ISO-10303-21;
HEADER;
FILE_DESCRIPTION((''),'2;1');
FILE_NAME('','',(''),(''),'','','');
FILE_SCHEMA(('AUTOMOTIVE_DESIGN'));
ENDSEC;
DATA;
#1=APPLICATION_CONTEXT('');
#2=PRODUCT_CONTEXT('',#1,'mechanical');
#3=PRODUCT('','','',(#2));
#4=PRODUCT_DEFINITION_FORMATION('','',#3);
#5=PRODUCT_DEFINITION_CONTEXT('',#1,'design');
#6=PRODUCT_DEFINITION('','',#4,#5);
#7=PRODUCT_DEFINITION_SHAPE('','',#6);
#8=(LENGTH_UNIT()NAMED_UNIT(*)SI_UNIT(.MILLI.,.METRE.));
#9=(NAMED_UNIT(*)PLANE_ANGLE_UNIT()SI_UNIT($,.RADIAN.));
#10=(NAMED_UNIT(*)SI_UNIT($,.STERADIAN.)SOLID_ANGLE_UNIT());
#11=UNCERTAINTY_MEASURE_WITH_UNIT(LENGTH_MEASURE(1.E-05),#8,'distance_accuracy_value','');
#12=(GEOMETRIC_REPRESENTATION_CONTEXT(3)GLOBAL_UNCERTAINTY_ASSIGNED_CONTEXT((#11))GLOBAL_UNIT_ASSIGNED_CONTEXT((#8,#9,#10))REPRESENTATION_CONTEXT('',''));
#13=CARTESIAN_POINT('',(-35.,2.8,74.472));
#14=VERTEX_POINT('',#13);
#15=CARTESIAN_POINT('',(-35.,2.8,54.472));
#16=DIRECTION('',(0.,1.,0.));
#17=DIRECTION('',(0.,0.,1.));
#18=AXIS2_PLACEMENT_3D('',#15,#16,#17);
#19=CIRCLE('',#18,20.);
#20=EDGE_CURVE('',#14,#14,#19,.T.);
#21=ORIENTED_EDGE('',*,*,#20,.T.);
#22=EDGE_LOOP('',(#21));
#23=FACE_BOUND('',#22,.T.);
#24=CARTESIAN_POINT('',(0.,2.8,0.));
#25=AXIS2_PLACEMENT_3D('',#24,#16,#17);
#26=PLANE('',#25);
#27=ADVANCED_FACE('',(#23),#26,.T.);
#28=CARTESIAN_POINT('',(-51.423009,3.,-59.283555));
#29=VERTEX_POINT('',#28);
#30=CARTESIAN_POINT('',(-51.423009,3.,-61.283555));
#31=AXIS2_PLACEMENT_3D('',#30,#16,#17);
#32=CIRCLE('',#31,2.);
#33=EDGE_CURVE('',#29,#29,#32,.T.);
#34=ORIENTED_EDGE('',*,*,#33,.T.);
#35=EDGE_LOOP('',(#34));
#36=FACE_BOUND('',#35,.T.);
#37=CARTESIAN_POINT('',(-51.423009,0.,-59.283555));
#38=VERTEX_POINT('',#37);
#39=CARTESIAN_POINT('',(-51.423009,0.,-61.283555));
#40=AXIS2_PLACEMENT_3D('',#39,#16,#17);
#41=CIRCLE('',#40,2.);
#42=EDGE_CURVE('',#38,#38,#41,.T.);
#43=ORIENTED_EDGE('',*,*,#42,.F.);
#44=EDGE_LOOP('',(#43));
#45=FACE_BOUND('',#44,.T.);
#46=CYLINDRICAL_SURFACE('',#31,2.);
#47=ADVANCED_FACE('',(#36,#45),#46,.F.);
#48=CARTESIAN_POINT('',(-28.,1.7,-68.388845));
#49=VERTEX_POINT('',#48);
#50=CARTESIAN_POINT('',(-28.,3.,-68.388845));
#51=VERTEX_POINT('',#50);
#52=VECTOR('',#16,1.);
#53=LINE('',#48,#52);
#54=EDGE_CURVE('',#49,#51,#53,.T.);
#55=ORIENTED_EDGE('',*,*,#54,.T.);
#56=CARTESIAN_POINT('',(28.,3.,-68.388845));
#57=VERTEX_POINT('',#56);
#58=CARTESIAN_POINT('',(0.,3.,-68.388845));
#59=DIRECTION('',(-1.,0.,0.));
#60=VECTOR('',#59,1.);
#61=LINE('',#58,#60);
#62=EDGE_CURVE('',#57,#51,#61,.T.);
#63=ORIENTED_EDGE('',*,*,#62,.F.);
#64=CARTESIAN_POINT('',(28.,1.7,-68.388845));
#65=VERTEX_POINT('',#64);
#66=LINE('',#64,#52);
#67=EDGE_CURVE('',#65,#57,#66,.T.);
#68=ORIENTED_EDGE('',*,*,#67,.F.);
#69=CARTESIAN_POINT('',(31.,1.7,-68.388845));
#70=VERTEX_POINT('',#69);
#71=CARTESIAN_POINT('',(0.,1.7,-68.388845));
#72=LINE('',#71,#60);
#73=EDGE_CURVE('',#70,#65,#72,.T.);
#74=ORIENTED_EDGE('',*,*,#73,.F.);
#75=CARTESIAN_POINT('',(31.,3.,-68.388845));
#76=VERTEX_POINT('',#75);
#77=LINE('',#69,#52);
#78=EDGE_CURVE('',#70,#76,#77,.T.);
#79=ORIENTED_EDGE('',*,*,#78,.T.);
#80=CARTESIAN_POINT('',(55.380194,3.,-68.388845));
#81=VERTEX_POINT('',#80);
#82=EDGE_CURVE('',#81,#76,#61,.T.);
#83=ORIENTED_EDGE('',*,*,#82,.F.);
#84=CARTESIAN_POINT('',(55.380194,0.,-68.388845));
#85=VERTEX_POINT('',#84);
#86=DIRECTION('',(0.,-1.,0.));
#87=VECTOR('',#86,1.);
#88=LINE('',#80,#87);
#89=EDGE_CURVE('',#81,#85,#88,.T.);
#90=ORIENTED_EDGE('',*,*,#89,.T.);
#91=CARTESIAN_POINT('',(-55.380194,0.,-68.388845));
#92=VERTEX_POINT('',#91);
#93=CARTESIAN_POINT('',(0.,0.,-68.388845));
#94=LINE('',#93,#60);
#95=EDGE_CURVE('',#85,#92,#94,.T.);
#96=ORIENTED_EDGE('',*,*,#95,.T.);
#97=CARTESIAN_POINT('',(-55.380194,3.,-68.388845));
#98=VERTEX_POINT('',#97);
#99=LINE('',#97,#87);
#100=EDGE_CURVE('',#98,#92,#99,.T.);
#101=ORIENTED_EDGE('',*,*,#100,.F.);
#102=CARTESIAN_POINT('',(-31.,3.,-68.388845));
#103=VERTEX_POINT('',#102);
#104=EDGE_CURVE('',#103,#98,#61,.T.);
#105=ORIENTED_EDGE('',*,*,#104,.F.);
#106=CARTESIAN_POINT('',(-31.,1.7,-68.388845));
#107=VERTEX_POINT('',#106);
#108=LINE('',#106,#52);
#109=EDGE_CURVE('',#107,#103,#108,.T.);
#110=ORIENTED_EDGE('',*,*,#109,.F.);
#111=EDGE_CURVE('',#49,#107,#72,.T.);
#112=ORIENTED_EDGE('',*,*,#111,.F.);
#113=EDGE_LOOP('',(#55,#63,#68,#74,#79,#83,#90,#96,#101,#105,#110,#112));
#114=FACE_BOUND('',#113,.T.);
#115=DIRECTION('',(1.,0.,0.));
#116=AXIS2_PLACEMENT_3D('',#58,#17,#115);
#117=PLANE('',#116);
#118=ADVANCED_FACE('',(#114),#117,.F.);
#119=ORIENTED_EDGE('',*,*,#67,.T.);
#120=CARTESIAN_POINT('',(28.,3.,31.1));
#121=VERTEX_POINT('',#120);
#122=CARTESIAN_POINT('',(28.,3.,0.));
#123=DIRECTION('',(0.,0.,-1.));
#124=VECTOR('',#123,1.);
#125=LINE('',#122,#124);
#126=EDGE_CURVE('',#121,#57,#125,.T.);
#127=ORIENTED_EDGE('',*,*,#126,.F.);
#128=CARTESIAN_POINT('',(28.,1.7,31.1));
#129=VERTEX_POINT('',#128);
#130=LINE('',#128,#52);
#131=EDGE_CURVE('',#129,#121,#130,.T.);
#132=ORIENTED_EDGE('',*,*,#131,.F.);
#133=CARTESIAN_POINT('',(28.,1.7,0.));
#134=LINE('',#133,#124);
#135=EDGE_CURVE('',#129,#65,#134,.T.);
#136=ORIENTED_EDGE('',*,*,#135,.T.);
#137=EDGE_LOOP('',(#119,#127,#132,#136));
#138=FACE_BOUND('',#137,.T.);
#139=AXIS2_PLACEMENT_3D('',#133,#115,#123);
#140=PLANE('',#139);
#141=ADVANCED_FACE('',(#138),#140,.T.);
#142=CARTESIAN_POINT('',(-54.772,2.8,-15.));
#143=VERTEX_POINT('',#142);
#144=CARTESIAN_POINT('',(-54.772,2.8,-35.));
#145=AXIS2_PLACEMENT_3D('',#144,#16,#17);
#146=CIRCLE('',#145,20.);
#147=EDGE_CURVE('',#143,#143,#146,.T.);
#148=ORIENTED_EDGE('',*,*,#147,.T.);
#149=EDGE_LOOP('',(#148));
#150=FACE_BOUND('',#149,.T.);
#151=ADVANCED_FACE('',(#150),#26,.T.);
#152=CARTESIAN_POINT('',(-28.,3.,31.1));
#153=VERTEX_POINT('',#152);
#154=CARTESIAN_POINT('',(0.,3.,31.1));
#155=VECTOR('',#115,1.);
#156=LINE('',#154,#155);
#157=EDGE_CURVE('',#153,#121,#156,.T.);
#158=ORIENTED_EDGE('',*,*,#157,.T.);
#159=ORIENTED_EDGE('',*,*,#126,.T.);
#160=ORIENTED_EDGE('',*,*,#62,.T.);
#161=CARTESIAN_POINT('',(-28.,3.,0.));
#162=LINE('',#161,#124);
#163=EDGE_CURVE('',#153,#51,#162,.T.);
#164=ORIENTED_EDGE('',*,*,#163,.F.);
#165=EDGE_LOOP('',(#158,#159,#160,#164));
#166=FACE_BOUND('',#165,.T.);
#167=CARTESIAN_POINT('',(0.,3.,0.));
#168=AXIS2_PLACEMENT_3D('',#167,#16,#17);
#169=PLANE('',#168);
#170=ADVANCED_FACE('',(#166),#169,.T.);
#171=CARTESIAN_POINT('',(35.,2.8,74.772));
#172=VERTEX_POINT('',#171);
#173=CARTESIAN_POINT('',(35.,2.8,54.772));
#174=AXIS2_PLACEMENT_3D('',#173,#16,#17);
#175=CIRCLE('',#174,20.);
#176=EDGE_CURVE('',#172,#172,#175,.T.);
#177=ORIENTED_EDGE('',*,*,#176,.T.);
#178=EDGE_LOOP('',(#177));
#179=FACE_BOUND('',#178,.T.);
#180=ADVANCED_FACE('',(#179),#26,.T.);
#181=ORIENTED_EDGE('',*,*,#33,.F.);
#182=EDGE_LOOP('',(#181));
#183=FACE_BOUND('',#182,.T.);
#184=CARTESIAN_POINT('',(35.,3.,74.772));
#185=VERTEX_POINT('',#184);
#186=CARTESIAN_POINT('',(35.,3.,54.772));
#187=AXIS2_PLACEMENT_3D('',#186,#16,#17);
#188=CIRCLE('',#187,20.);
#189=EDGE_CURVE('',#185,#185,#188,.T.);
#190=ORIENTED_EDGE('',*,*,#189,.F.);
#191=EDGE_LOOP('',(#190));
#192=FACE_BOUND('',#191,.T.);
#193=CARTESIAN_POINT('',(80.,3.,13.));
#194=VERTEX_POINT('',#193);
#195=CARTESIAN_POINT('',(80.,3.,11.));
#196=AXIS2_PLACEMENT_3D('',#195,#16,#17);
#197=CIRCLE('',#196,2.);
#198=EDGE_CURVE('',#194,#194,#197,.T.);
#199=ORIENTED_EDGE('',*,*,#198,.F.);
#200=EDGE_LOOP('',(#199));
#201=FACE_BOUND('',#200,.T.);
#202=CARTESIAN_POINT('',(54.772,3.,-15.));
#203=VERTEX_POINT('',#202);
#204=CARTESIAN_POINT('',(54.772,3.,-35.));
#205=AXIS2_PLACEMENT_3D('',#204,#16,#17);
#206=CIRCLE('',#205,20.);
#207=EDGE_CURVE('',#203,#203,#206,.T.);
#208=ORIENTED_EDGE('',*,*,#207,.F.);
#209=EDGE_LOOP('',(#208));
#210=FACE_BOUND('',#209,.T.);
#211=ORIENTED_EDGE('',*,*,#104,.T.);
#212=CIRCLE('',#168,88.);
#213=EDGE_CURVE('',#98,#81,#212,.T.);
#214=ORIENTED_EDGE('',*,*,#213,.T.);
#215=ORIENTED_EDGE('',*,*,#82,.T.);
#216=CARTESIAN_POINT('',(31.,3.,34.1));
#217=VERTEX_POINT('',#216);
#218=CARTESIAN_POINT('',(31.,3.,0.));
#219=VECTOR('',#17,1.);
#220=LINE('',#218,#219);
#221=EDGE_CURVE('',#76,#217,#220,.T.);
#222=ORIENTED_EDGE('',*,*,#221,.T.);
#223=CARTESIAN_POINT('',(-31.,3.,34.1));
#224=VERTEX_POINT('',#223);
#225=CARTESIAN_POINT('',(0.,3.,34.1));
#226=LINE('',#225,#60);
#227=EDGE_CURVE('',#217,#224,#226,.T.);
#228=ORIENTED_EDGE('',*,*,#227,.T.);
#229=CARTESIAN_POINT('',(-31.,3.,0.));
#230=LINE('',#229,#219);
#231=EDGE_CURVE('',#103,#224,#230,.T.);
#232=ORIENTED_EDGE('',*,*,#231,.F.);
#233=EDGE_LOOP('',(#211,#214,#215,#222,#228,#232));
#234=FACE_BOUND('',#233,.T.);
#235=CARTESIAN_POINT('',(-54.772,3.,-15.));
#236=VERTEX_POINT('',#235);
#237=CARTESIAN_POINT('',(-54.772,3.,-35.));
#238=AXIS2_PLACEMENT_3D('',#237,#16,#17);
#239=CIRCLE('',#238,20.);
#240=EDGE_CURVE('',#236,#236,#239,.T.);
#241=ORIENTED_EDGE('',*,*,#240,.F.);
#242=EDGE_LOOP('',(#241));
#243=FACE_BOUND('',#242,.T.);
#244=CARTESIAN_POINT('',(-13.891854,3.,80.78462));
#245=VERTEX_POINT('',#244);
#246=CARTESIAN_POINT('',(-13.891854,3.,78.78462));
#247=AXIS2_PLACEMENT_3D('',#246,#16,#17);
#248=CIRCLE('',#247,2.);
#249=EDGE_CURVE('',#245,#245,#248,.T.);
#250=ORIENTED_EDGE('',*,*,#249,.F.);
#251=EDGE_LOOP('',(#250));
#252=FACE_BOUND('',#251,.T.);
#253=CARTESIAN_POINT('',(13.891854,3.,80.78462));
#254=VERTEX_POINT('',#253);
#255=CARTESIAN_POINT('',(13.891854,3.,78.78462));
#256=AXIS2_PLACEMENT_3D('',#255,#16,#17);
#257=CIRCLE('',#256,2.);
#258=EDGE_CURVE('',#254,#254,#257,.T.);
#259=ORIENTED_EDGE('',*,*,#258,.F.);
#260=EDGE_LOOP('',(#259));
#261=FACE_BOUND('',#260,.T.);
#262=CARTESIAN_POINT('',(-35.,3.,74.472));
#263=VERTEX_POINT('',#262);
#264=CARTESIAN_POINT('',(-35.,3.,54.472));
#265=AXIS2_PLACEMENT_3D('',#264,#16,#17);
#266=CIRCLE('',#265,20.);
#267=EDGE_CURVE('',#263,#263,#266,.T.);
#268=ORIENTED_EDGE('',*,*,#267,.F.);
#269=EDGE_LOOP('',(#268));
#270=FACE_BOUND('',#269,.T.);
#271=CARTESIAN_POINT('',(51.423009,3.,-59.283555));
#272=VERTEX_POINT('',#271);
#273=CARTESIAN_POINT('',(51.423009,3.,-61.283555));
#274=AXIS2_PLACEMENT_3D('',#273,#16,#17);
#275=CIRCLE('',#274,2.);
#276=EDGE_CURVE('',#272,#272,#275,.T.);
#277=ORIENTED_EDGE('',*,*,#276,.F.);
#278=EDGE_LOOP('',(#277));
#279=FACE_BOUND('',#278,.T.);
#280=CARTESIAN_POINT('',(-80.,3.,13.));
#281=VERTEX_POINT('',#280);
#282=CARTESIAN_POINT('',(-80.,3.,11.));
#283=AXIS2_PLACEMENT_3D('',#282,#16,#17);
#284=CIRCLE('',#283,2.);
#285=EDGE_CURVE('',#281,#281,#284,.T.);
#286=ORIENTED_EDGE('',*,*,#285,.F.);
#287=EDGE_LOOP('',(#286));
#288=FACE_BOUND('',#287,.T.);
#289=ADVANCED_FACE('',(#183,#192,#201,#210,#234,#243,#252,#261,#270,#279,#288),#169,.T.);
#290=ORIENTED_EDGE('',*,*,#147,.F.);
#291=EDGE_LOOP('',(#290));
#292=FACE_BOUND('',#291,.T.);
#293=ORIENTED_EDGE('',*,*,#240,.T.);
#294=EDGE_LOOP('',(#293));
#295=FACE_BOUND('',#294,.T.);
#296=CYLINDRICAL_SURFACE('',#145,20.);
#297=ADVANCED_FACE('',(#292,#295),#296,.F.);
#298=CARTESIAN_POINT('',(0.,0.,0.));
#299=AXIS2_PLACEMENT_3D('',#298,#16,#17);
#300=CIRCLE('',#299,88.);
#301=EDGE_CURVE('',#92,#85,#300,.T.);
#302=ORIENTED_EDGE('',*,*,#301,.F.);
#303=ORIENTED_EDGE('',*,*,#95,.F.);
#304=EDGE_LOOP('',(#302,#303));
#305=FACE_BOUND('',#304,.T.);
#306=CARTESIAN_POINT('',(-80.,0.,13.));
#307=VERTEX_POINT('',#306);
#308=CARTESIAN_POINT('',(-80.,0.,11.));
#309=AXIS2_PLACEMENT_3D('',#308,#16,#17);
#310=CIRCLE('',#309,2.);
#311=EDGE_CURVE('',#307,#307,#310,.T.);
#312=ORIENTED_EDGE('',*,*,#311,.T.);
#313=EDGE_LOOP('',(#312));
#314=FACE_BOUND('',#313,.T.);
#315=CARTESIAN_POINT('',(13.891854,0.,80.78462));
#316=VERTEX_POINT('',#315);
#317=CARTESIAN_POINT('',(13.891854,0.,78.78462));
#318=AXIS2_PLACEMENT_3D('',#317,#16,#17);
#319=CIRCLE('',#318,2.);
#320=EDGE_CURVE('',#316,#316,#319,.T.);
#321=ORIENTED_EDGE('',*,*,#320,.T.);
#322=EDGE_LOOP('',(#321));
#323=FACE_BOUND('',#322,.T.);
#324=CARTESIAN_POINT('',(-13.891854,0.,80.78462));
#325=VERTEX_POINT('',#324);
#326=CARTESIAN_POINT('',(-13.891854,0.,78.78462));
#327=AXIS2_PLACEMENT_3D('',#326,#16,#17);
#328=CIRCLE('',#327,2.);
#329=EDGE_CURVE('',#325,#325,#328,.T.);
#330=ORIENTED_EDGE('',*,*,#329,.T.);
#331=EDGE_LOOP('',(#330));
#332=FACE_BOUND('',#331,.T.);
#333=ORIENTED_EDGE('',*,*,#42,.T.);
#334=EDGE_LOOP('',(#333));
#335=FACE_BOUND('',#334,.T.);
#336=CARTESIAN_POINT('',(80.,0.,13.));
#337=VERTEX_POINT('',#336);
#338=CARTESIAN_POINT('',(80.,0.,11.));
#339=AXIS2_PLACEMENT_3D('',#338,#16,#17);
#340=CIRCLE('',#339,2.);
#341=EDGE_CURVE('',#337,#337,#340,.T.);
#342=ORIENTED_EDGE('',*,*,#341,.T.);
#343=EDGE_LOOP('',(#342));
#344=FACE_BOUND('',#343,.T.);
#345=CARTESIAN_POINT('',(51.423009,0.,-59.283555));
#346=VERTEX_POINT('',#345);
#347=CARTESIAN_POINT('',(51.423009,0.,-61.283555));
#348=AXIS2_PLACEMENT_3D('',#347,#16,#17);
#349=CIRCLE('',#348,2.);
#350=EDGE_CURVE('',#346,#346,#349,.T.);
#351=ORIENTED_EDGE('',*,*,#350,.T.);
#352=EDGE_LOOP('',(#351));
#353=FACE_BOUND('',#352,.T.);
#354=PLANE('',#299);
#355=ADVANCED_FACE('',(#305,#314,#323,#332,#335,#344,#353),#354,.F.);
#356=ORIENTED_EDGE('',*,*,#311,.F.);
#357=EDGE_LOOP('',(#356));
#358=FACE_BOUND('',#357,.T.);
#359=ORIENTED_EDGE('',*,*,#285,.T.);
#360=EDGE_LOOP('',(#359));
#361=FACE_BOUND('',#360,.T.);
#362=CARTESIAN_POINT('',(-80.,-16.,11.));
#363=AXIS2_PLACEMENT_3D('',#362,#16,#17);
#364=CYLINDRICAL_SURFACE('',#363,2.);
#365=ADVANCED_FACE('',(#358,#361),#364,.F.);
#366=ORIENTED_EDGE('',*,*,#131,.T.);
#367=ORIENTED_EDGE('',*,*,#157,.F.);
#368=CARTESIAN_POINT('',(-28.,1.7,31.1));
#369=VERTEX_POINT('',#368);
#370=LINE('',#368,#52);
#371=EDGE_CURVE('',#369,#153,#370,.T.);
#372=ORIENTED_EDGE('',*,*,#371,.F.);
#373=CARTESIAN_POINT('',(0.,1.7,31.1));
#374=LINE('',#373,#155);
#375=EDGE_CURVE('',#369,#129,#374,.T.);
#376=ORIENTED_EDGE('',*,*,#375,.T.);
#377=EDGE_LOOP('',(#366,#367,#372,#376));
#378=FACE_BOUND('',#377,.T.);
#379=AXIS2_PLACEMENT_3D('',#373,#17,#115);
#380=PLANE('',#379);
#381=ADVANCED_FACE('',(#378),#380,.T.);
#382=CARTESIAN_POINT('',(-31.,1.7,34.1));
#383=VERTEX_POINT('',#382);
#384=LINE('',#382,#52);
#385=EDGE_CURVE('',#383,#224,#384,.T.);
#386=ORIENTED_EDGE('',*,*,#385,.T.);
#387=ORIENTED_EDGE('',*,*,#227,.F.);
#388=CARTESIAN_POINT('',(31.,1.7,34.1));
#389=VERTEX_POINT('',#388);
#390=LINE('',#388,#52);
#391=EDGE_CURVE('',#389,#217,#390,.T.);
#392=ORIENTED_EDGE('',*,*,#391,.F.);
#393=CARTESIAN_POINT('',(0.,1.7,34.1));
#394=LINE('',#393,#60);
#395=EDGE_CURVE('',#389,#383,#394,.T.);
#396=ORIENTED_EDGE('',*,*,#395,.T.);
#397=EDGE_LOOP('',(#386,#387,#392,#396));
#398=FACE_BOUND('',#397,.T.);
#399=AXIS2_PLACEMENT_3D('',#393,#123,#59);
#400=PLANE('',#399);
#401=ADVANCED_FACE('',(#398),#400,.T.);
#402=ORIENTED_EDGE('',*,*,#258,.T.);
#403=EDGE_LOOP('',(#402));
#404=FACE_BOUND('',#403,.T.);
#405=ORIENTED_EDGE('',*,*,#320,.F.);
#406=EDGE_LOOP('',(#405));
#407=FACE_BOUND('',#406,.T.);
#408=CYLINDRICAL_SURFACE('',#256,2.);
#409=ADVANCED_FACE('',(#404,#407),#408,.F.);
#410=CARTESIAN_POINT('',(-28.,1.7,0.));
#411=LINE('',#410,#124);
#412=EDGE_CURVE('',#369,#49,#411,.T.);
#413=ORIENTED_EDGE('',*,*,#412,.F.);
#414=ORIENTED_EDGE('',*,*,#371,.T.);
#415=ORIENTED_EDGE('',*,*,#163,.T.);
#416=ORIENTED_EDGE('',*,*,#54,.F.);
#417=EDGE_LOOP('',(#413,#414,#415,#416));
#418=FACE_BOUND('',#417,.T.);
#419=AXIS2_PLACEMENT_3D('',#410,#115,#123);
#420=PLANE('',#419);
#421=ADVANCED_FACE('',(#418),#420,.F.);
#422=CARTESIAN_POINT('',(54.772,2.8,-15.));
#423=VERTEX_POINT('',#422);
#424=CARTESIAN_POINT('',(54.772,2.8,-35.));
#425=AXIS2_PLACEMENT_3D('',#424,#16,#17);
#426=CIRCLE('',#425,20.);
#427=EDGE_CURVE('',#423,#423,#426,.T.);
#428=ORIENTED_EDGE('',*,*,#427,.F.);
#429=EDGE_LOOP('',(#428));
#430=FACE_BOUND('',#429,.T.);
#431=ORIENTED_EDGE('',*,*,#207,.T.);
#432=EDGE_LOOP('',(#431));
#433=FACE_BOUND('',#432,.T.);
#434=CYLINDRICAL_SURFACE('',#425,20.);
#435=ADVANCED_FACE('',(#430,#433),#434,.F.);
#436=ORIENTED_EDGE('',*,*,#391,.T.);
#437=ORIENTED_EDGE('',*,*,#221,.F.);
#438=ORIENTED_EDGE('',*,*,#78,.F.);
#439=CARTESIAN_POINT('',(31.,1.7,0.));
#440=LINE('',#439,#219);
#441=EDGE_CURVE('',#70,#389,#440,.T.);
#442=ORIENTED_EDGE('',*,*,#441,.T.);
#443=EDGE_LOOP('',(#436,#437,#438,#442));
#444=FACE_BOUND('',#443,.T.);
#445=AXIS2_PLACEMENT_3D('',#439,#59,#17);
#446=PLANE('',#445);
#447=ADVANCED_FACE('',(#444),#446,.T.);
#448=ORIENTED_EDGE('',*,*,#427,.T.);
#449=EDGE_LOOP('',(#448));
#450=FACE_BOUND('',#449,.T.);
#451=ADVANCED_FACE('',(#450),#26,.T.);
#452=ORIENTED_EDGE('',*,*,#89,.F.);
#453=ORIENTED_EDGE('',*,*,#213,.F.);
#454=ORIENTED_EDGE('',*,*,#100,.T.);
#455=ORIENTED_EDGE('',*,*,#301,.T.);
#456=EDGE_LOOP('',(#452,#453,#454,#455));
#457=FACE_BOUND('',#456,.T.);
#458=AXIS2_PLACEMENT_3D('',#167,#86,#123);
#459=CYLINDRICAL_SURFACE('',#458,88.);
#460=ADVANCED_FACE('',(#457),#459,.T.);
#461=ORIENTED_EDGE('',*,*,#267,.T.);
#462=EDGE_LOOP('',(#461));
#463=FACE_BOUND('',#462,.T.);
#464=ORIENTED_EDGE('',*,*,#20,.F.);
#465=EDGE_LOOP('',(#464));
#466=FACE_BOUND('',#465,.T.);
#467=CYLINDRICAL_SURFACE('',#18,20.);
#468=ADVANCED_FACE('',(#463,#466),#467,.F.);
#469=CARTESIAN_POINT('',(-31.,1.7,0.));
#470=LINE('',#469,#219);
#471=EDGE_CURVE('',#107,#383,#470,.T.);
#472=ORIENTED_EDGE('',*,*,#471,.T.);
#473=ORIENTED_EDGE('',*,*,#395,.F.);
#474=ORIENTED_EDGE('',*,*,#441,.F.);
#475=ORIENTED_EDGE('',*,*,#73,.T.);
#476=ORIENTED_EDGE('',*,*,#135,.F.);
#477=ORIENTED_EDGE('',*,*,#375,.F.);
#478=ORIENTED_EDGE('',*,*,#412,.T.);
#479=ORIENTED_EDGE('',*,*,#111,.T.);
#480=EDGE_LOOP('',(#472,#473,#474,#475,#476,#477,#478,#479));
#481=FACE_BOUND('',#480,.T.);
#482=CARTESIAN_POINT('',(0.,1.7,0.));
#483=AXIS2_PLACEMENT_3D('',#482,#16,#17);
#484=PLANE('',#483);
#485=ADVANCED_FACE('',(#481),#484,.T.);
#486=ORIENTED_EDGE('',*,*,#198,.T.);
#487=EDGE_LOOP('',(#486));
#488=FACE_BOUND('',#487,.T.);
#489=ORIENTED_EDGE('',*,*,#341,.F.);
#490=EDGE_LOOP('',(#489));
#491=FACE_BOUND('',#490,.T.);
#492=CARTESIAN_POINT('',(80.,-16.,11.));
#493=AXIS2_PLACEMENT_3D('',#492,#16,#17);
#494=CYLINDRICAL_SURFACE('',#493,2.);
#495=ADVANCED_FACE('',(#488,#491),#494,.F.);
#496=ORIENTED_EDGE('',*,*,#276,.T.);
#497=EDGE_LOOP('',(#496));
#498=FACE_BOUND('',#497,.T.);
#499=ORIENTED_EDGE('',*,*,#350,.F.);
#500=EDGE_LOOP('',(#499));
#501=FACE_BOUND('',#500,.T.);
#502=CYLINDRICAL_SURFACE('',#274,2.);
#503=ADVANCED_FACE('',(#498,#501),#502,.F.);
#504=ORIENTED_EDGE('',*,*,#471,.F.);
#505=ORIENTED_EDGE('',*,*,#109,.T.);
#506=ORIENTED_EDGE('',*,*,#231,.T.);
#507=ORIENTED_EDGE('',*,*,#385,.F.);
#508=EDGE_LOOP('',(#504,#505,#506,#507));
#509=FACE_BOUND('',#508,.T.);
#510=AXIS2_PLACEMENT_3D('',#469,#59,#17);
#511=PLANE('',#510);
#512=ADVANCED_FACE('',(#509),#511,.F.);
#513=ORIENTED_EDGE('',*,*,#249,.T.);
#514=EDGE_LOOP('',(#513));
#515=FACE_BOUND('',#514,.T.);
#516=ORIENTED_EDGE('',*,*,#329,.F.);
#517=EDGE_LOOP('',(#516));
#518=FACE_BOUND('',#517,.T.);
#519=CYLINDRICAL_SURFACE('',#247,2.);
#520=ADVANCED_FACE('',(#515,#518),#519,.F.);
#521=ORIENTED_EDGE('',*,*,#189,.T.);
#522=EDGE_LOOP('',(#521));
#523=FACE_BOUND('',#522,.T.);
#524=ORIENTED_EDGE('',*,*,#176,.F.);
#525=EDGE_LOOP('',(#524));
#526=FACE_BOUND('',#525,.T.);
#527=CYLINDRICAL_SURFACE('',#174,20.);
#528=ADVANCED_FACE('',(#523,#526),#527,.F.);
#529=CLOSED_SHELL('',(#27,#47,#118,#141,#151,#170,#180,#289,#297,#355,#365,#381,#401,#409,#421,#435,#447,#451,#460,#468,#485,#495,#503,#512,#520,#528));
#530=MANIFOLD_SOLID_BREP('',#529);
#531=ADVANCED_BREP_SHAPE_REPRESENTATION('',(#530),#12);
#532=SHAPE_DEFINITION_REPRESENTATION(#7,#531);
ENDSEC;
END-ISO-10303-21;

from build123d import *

# Parameters (mm, degrees)
BOSS_EXTRUDE1_DEPTH   = 3
CUT_EXTRUDE2_DEPTH    = 1.3
SKETCH4_R             = 20
CUT_EXTRUDE3_DEPTH    = 0.2
F_4_0MM_DOWEL_HOLE1_D = 4
SKETCH8_R             = 2
CUT_EXTRUDE4_DEPTH    = 19


with BuildPart() as part:
    # Sketch1 → Boss-Extrude1 (new body)
    with BuildSketch(Plane(origin=(0, 0, 0), x_dir=(1, 0, 0), z_dir=(0, 1, 0))):
        with BuildLine():
            Line((55.380194412, 68.388844608), (0, 68.388844608))
            Line((0, 68.388844608), (-55.380194412, 68.388844608))
            ThreePointArc((-55.380194412, 68.388844608), (-37.884976519, -79.427505023), (88, 0))
            ThreePointArc((88, 0), (79.427505023, 37.884976519), (55.380194412, 68.388844608))
        make_face()
    extrude(amount=BOSS_EXTRUDE1_DEPTH)

    # Sketch3 → Cut-Extrude2 (cut)
    with BuildSketch(Plane(origin=(0, 3, 0), x_dir=(1, 0, 0), z_dir=(0, 1, 0))):
        Polygon((28, -31.1), (0, -31.1), (-28, -31.1), (-28, 68.388844608), (-31, 68.388844608), (-31, -34.1), (31, -34.1), (31, 68.388844608), (28, 68.388844608), align=None)
    extrude(amount=-CUT_EXTRUDE2_DEPTH, mode=Mode.SUBTRACT)

    # Sketch4 → Cut-Extrude3 (cut)
    with BuildSketch(Plane(origin=(0, 3, 0), x_dir=(1, 0, 0), z_dir=(0, 1, 0))):
        with Locations(Location((35, -54.772, 0), (0, 0, 270))):
            Circle(SKETCH4_R)
        with Locations(Location((-35, -54.472, 0), (0, 0, 270))):
            Circle(SKETCH4_R)
        with Locations(Location((54.772, 35, 0), (0, 0, 270))):
            Circle(SKETCH4_R)
        with Locations(Location((-54.772, 35, 0), (0, 0, 270))):
            Circle(SKETCH4_R)
    extrude(amount=-CUT_EXTRUDE3_DEPTH, mode=Mode.SUBTRACT)

    # Ø4.0mm Dowel Hole1 (through all)
    with Locations(Plane(origin=(-51.423008775, 3, -61.28355545), x_dir=(0, 0, 1), z_dir=(0, 1, 0))):
        with Locations((0, 0), (0, 102.84601755), (140.068175691, 65.314862988), (140.068175691, 37.531154562)):
            Hole(F_4_0MM_DOWEL_HOLE1_D / 2)

    # Sketch8 → Cut-Extrude4 (cut)
    with BuildSketch(Plane(origin=(0, 3, 0), x_dir=(1, 0, 0), z_dir=(0, 1, 0))):
        with Locations(Location((-80, -11, 0), (0, 0, 270))):
            Circle(SKETCH8_R)
        with Locations(Location((80, -11, 0), (0, 0, 270))):
            Circle(SKETCH8_R)
    extrude(amount=-CUT_EXTRUDE4_DEPTH, mode=Mode.SUBTRACT)


solid = part.part
